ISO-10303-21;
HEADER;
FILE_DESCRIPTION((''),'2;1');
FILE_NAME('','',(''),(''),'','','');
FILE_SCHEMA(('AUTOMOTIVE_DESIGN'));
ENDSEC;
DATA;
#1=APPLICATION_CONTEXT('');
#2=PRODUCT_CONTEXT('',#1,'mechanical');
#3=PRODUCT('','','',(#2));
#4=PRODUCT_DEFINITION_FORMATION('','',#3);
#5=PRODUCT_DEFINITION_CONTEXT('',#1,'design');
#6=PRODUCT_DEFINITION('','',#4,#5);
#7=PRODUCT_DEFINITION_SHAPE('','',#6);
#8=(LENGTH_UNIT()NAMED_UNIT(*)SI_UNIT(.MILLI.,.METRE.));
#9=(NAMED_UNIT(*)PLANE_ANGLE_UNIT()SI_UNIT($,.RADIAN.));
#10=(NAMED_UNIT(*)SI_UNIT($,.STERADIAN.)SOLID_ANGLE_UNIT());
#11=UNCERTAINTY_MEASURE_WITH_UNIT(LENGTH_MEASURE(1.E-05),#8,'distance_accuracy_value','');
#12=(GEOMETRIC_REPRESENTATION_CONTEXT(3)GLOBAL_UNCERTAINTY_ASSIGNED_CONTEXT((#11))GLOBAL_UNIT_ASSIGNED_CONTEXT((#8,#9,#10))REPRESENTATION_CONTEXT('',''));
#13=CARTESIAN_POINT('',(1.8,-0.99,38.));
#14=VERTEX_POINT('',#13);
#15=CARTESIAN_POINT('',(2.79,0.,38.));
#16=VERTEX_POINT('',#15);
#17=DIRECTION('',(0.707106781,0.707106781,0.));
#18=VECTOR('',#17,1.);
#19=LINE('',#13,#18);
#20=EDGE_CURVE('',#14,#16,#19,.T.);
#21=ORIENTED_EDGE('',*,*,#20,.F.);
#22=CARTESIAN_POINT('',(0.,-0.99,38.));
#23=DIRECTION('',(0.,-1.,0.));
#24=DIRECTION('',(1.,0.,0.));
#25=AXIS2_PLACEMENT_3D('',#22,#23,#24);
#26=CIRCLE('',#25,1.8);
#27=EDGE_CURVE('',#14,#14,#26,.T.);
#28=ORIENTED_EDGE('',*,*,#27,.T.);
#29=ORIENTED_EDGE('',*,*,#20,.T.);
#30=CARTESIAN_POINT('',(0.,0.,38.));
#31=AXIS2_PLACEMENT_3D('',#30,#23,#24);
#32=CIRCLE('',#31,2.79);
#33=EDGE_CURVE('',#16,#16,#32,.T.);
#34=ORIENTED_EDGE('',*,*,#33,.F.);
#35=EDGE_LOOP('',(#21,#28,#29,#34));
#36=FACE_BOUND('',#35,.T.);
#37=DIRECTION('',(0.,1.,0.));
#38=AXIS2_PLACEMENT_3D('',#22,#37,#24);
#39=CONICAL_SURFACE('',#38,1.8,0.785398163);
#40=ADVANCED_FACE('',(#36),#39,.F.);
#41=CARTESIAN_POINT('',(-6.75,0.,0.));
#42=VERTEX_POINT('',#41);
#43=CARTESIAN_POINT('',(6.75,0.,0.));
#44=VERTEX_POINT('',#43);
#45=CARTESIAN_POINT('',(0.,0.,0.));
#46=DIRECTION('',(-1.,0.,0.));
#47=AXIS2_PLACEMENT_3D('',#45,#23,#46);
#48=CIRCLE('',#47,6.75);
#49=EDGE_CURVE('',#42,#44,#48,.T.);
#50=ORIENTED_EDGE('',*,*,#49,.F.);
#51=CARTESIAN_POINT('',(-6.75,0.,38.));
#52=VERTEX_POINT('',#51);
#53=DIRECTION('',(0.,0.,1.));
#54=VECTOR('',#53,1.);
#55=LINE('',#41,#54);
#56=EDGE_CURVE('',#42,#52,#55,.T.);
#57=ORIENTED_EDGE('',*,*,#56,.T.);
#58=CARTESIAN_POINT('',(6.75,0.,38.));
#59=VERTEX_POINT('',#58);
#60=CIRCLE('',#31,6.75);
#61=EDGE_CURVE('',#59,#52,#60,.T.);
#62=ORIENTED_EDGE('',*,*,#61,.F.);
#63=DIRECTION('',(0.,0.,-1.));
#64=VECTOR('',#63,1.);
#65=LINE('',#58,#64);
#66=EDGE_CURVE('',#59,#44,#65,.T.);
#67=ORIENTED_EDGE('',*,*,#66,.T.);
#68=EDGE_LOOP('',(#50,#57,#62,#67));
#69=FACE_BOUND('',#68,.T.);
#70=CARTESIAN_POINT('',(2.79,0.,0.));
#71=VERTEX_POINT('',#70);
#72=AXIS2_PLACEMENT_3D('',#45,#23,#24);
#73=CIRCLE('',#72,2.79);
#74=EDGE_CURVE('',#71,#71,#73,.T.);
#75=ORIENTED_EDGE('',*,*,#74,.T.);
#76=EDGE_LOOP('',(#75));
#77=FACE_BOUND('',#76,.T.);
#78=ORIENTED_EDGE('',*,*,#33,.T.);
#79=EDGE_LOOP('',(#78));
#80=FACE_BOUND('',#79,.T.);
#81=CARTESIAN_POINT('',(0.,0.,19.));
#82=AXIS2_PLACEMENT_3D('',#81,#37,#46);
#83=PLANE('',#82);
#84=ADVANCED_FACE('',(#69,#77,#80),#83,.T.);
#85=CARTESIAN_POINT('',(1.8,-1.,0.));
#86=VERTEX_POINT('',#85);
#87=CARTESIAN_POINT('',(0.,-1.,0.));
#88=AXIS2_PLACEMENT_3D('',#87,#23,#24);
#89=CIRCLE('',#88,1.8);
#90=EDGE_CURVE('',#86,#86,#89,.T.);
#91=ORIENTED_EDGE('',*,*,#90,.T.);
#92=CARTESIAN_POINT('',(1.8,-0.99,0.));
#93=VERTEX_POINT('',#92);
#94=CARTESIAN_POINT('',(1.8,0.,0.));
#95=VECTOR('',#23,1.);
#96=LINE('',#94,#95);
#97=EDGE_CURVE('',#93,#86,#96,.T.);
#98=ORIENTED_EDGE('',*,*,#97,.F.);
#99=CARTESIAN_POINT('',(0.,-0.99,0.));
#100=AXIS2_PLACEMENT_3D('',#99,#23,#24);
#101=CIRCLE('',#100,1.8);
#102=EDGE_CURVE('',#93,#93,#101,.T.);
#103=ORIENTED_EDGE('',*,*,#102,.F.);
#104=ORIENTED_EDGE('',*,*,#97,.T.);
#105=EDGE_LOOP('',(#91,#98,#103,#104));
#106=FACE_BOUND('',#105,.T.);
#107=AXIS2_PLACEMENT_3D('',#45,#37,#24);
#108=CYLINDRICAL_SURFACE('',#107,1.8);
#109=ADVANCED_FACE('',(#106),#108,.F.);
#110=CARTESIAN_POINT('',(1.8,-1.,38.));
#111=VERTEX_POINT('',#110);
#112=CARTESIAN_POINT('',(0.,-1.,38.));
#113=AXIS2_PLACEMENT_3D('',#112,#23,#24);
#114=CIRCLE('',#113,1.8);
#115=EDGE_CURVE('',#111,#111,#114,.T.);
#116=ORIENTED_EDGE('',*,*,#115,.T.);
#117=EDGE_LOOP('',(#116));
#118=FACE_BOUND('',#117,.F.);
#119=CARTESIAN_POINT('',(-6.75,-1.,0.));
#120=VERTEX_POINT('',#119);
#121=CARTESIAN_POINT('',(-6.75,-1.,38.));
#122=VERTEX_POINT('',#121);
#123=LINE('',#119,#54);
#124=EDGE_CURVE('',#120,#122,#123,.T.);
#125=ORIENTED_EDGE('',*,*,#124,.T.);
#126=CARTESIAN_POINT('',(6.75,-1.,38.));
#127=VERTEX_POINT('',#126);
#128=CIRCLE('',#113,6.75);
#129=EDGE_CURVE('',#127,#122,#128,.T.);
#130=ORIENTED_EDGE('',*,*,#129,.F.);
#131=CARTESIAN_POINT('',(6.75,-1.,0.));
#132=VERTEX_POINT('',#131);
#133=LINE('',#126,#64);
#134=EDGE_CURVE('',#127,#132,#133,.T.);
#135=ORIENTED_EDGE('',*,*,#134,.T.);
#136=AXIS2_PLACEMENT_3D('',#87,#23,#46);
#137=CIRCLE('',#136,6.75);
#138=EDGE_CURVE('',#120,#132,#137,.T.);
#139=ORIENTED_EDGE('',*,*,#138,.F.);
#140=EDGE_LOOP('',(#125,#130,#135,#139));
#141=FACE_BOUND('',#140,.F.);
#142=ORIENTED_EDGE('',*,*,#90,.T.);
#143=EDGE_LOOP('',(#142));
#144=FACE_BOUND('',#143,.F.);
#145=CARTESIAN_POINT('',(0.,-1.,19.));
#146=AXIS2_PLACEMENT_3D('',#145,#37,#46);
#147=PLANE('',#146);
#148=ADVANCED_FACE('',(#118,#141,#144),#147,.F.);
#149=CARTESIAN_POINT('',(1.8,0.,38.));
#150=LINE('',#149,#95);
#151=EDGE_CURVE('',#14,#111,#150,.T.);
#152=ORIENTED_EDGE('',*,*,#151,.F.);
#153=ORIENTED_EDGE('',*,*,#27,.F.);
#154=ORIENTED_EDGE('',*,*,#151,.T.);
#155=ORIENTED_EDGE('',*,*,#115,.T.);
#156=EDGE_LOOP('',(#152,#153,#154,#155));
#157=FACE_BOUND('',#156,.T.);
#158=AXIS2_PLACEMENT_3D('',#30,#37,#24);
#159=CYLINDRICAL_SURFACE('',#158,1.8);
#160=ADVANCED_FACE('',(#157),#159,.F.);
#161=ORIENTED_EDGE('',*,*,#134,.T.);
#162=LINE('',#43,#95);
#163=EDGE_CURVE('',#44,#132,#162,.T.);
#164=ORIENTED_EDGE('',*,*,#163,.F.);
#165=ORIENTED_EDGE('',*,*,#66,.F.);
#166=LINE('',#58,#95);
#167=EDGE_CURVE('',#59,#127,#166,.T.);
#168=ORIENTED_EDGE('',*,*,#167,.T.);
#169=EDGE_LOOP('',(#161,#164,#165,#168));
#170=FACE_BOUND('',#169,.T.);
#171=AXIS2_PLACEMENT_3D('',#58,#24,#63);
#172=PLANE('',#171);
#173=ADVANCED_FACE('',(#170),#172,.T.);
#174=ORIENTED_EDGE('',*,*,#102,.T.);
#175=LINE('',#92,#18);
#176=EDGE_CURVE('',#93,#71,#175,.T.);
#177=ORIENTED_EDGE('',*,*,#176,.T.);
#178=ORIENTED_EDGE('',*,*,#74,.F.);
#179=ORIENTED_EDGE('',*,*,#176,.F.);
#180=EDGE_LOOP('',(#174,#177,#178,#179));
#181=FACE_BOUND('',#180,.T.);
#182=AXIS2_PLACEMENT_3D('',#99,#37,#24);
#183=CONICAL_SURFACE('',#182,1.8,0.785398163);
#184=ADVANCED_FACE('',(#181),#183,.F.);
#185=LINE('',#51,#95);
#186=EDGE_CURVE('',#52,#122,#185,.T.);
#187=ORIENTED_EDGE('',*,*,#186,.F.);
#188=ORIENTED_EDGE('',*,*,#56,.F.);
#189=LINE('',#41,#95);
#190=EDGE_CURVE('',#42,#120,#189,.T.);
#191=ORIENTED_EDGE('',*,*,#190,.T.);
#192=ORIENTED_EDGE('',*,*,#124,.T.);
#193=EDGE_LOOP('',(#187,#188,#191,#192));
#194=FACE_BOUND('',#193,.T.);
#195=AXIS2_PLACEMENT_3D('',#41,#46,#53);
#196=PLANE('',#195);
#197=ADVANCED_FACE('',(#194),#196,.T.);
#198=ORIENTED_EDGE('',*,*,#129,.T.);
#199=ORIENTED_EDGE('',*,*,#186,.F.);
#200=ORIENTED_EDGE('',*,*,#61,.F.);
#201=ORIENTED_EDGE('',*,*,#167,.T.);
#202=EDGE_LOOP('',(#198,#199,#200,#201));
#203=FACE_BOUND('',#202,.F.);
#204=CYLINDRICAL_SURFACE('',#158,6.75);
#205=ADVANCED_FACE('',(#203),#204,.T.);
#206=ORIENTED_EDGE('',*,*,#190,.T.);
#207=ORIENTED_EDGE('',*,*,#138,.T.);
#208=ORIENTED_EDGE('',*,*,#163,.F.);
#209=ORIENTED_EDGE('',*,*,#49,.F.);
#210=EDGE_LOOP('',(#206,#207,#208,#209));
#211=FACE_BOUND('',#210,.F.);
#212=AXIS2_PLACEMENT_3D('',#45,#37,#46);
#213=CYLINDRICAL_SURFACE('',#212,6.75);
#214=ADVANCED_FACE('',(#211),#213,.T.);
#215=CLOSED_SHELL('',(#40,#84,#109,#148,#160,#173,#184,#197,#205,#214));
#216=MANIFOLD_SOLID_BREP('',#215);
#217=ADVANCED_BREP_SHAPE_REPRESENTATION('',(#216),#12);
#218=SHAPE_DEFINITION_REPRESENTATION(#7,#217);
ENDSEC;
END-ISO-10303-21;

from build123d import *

# Parameters (mm, degrees)
SKETCH_R     = 1.8
PAD_DEPTH    = 1
CHAMFER_SIZE = 0.99


with BuildPart() as part:
    # Sketch → Pad (new body)
    with BuildSketch(Plane.XZ):
        with BuildLine():
            Line((6.75, 38), (6.75, 0))
            ThreePointArc((-6.75, 0), (0, -6.75), (6.75, 0))
            Line((-6.75, 0), (-6.75, 38))
            ThreePointArc((6.75, 38), (0, 44.75), (-6.75, 38))
        make_face()
        with Locations((0, 38)):
            Circle(SKETCH_R, mode=Mode.SUBTRACT)
        Circle(SKETCH_R, mode=Mode.SUBTRACT)
    extrude(amount=PAD_DEPTH)

    # Chamfer
    chamfer_edges = [part.edges().sort_by_distance(p)[0] for p in [
        (-1.8, 0, 0),
        (-1.8, 0, 38),
    ]]
    chamfer(chamfer_edges, length=CHAMFER_SIZE)


solid = part.part
